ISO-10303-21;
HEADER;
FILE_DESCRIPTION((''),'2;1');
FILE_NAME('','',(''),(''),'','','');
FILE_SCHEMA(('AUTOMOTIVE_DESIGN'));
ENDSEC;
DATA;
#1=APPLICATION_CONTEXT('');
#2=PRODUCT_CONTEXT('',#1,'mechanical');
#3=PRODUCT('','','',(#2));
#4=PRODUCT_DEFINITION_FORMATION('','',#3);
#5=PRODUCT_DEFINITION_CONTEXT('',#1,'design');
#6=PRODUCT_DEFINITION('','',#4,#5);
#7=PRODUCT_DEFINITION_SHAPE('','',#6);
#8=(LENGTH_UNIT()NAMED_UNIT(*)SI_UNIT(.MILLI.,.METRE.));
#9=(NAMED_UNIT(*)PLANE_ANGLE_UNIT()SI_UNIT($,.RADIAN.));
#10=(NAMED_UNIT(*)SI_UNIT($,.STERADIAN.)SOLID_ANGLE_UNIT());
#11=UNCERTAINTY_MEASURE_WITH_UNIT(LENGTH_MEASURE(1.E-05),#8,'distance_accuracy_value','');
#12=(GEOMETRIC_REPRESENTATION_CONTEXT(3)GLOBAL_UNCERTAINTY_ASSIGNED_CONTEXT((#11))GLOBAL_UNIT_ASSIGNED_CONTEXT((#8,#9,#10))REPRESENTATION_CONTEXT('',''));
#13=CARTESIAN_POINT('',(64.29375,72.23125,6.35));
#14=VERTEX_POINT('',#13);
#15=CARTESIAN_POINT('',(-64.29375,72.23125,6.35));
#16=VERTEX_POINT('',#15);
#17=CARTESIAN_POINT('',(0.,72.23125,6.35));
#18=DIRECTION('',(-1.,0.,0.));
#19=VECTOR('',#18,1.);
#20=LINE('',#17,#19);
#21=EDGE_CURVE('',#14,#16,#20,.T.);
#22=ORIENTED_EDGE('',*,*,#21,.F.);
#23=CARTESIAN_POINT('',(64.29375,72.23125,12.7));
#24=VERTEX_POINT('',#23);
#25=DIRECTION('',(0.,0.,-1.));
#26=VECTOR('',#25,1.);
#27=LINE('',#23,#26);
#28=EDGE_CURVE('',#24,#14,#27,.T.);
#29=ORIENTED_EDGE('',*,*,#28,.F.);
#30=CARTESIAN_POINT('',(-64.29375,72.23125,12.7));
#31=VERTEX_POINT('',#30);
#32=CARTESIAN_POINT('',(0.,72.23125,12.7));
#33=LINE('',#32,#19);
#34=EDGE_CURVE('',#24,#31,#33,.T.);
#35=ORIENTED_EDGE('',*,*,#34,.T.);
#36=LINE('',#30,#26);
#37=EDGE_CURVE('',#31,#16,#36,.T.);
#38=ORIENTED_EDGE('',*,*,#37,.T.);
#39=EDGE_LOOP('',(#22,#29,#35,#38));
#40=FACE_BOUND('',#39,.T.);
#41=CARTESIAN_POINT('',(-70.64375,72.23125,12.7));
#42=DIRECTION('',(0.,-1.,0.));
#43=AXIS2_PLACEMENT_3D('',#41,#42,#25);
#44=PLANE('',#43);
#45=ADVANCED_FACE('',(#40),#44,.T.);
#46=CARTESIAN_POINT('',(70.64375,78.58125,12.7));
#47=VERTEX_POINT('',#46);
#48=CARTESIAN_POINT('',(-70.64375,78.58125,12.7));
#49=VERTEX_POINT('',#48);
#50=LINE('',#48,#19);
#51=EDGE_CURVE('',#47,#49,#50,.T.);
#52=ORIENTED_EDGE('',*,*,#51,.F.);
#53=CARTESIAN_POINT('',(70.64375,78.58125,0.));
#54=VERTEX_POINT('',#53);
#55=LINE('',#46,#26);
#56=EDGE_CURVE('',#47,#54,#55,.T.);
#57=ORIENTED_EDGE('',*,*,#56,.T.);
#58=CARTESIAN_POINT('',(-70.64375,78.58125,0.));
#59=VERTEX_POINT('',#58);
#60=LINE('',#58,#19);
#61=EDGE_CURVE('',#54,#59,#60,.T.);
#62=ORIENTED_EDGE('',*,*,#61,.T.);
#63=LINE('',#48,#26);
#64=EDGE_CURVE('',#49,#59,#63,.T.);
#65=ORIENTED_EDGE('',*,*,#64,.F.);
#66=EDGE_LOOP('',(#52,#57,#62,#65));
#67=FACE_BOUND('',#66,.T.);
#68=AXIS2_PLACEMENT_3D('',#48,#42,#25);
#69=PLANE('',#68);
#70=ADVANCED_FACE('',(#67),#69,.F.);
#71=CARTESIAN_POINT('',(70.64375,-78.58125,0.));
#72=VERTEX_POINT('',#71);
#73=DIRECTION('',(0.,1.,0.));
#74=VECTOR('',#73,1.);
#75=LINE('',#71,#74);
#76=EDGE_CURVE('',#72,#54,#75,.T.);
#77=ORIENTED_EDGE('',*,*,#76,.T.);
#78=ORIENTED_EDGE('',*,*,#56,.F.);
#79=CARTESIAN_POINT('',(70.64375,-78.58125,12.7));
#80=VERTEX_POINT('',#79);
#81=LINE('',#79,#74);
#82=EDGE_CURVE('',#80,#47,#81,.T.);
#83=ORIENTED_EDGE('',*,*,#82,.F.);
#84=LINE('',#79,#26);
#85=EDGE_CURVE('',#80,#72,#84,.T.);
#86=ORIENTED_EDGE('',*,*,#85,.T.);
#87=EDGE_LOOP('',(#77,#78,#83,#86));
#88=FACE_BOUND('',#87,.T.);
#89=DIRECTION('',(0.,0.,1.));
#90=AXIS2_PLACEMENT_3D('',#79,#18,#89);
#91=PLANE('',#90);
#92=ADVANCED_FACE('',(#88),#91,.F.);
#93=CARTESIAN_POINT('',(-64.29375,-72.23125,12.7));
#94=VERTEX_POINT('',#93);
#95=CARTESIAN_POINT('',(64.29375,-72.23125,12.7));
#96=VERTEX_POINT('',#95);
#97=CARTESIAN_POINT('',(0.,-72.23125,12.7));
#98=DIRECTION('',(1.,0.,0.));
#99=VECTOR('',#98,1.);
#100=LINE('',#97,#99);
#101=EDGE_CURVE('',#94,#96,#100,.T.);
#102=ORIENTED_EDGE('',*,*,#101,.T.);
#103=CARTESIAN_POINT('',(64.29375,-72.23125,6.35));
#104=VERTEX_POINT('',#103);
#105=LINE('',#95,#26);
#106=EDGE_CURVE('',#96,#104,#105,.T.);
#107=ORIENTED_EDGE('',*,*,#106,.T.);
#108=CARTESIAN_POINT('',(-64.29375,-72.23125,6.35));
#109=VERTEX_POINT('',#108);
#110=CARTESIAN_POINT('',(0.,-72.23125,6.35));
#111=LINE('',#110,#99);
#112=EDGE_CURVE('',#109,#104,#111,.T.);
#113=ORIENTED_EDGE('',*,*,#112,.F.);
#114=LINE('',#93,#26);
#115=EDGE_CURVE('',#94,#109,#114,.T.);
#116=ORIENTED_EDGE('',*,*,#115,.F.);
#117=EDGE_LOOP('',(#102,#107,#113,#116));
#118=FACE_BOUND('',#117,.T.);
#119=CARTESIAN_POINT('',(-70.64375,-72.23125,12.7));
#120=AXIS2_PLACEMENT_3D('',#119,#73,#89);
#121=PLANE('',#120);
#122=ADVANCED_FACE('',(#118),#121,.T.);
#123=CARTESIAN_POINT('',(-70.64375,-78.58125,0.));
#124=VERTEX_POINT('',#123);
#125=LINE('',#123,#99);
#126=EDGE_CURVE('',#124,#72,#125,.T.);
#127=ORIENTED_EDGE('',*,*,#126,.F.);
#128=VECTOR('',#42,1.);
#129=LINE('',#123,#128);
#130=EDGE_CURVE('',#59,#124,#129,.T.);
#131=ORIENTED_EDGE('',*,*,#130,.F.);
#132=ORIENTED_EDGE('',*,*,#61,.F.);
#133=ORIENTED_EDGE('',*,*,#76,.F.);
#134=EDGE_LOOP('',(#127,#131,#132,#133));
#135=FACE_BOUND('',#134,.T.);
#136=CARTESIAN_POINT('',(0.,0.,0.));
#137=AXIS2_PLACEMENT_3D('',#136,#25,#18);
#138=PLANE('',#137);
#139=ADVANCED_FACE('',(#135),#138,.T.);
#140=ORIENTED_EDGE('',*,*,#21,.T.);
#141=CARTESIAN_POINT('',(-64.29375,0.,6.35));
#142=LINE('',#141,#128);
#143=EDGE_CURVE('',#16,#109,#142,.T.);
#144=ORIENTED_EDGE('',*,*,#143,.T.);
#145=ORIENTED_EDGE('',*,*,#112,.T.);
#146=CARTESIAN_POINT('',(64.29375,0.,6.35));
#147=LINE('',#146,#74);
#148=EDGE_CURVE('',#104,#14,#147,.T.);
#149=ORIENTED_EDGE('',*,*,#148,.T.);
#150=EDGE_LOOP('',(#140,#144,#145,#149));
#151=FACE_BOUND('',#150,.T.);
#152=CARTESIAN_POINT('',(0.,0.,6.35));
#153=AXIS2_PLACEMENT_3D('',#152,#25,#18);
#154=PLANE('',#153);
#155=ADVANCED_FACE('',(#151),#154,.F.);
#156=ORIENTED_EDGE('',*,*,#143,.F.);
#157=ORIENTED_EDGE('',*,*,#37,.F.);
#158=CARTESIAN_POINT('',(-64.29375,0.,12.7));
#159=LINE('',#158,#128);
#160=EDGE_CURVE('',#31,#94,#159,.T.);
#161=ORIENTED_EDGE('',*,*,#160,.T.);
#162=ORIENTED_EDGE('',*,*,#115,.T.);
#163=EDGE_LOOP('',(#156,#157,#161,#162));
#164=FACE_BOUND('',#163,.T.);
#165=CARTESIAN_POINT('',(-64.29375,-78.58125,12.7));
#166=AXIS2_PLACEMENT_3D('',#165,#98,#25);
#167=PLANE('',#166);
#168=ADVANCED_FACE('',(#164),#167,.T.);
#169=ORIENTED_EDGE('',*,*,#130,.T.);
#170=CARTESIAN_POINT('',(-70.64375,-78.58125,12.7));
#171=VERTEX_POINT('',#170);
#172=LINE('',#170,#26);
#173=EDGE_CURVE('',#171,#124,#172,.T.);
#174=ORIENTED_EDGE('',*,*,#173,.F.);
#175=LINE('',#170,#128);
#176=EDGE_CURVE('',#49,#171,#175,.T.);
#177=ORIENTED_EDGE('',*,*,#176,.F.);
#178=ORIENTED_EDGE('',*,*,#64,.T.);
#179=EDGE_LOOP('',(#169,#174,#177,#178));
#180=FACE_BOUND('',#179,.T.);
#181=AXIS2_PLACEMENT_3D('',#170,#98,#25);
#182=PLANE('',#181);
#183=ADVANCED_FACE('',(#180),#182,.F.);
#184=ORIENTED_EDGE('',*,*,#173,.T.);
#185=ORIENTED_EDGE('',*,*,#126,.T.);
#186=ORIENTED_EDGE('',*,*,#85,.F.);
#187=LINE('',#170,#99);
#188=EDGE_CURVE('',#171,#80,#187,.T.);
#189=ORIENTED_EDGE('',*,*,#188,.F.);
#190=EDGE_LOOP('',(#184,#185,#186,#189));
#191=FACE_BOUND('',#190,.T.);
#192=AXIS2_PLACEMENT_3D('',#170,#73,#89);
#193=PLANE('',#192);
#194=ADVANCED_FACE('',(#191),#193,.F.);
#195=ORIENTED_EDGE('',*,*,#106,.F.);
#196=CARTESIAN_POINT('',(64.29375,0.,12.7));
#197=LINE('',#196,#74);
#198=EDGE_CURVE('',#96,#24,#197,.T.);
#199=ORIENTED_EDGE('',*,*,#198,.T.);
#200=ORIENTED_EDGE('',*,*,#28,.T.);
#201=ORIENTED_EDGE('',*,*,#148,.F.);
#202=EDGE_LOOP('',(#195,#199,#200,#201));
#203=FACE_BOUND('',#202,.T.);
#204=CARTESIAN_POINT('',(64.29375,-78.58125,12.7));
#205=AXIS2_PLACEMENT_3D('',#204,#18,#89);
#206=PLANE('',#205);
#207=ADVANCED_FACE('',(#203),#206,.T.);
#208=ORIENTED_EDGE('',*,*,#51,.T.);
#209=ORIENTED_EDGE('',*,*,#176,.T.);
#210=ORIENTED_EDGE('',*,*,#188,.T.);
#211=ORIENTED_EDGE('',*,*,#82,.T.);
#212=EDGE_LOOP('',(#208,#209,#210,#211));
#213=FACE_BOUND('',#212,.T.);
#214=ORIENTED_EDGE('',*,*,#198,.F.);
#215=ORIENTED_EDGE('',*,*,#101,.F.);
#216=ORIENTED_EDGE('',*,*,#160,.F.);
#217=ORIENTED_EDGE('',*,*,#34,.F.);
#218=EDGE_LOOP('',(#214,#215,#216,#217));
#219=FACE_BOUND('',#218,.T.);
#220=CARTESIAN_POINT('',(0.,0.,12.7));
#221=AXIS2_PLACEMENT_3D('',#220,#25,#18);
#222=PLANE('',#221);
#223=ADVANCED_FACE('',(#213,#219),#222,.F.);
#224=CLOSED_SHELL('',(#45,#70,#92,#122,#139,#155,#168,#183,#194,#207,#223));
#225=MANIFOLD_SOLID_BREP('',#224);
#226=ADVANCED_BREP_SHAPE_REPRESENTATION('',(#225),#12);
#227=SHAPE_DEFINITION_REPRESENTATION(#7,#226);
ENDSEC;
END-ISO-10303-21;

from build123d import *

# Parameters (mm, degrees)
SKETCH2_W           = 141.2875
SKETCH2_H           = 157.1625
BOSS_EXTRUDE1_DEPTH = 12.7
SHELL1_T            = -6.35


with BuildPart() as part:
    # Sketch2 → Boss-Extrude1 (new body)
    with BuildSketch(Plane.XY):
        Rectangle(SKETCH2_W, SKETCH2_H)
    extrude(amount=BOSS_EXTRUDE1_DEPTH)

    # Shell1
    shell1_openings = [part.faces().sort_by_distance(p)[0] for p in [
        (0, 0, 12.7),
    ]]
    offset(amount=SHELL1_T, openings=shell1_openings, kind=Kind.INTERSECTION)


solid = part.part
